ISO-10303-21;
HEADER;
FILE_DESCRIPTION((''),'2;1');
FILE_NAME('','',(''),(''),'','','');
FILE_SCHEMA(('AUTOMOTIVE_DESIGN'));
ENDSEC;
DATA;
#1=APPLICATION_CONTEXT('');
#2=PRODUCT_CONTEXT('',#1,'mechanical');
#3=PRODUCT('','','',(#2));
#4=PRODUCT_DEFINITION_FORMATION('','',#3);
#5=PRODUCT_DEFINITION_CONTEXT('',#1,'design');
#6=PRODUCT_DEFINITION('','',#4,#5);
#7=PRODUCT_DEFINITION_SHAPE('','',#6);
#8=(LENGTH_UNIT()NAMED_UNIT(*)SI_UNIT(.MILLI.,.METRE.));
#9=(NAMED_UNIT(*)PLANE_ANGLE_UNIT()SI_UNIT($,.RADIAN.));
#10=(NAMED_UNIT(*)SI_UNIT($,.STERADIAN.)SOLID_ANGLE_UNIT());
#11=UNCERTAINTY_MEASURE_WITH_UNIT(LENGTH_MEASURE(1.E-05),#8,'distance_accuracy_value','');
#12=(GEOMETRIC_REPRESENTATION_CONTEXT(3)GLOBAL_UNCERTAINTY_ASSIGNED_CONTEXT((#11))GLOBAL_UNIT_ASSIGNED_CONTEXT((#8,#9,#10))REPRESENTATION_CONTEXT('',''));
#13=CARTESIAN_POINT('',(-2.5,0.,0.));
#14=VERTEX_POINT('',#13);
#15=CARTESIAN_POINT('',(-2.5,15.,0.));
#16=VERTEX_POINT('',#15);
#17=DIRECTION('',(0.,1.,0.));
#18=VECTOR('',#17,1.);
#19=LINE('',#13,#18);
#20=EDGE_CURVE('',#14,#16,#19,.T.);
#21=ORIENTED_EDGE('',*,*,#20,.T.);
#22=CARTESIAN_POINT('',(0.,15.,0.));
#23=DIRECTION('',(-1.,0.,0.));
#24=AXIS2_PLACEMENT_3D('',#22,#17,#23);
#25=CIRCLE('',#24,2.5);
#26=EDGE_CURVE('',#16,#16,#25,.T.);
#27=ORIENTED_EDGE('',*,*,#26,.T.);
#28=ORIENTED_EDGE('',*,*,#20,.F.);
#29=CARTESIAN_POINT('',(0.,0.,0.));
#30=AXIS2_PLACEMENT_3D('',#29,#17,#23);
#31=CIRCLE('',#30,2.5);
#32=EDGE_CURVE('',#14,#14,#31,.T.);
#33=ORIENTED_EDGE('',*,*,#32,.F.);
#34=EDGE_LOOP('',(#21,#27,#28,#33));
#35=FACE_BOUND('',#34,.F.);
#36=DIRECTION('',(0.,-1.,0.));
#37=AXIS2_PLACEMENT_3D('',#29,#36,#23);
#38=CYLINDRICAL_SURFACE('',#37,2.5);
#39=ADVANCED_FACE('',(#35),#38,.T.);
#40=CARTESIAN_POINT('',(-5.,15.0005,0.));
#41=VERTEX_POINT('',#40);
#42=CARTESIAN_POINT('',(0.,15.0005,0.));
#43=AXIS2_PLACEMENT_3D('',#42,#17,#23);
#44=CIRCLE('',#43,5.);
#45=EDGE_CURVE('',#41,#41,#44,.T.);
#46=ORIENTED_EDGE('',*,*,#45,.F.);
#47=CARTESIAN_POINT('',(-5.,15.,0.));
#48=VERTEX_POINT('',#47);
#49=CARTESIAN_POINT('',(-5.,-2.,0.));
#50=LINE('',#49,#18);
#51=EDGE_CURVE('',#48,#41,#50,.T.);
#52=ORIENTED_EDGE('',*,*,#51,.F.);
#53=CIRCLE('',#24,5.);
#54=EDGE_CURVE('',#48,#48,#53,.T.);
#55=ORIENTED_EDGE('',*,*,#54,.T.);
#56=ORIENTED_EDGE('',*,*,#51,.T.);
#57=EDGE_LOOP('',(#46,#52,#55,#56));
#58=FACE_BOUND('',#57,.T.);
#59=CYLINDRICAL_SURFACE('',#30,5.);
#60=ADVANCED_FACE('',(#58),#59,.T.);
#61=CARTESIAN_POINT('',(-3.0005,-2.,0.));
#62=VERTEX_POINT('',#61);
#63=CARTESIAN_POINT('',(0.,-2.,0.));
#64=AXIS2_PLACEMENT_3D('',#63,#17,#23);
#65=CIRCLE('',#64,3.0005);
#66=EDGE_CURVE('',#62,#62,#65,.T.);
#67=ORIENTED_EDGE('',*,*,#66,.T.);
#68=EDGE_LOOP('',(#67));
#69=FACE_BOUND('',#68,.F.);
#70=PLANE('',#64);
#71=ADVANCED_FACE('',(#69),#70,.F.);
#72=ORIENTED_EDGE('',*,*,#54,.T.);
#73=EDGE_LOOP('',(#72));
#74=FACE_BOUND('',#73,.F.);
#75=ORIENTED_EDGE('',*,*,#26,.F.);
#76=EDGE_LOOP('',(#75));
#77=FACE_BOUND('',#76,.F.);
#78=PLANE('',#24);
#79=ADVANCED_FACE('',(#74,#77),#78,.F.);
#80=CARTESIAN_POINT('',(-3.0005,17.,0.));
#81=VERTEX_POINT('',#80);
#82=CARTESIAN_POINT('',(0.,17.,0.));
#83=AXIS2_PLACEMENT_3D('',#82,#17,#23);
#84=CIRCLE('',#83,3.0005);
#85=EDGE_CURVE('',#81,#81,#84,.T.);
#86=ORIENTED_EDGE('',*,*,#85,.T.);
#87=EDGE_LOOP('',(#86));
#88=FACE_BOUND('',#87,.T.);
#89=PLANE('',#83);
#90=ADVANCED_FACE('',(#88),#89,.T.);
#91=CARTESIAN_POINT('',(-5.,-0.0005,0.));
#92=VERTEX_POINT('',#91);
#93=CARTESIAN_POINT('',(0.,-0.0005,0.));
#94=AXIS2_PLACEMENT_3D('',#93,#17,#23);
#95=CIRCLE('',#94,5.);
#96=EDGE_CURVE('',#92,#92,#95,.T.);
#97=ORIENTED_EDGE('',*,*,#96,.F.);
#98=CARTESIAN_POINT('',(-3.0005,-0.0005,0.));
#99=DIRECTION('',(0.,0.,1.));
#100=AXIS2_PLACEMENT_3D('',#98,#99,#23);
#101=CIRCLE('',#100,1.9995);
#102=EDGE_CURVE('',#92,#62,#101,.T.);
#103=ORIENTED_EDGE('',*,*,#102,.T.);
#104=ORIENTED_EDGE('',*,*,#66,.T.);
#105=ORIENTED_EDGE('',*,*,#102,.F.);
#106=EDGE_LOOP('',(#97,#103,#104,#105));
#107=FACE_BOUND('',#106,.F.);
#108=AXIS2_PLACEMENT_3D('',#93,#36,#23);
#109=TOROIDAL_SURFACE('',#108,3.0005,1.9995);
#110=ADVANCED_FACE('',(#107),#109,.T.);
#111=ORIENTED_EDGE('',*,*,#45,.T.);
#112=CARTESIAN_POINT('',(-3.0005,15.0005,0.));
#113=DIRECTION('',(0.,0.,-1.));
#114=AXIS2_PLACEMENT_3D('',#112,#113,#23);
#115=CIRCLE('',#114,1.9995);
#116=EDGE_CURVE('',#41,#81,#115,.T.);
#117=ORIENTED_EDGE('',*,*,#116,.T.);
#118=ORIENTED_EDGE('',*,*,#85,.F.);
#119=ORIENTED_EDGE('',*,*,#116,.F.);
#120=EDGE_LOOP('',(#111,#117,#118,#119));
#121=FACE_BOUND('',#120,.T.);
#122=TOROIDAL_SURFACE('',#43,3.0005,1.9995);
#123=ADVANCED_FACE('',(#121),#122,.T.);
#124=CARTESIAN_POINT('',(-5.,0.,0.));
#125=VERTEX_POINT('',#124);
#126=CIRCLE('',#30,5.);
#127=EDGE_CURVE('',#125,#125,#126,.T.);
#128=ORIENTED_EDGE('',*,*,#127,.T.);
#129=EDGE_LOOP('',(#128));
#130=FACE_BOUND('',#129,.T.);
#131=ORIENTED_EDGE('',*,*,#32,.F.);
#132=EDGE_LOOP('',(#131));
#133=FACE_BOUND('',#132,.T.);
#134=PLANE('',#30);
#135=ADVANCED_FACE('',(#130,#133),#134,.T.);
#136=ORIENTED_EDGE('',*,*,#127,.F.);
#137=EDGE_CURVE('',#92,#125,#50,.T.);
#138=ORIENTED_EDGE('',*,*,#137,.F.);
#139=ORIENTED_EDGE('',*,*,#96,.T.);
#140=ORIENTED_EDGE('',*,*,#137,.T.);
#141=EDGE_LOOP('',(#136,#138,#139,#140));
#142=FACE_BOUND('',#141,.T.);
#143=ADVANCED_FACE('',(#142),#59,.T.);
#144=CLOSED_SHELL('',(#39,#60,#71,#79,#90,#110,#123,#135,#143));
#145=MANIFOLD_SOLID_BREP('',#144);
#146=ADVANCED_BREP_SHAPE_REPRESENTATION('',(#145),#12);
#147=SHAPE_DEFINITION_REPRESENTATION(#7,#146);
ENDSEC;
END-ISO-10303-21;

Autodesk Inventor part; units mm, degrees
ref_plane "YZ Plane" through (0, 0, 0) normal (1, 0, 0) x (0, 1, 0)
ref_plane "XZ Plane" through (0, 0, 0) normal (0, 1, 0) x (-1, 0, 0)
ref_plane "XY Plane" through (0, 0, 0) normal (0, 0, 1) x (1, 0, 0)
sketch "Szkic1" plane through (0, 0, 0) normal (0, 1, 0) x (-1, 0, 0)
  circle A0 centre (0, 0) radius 2.5
  circle A1 centre (0, 0) radius 5
  dimension "d0" = 5
  dimension "d1" = 10
extrude "Wyciągnięcie proste1" add sketch "Szkic1" against normal blind 2 contours A0 | A1
extrude "Wyciągnięcie proste2" add sketch "Szkic1" along normal blind 17 contours A0 | A1
extrude "Wyciągnięcie proste3" cut sketch "Szkic1" along normal blind 15
fillet "Zaokrąglenie1" radius 2 2 edges at (5, 17, 0) (5, -2, 0)
properties part number "nit_skrecany" material "Aluminium"
